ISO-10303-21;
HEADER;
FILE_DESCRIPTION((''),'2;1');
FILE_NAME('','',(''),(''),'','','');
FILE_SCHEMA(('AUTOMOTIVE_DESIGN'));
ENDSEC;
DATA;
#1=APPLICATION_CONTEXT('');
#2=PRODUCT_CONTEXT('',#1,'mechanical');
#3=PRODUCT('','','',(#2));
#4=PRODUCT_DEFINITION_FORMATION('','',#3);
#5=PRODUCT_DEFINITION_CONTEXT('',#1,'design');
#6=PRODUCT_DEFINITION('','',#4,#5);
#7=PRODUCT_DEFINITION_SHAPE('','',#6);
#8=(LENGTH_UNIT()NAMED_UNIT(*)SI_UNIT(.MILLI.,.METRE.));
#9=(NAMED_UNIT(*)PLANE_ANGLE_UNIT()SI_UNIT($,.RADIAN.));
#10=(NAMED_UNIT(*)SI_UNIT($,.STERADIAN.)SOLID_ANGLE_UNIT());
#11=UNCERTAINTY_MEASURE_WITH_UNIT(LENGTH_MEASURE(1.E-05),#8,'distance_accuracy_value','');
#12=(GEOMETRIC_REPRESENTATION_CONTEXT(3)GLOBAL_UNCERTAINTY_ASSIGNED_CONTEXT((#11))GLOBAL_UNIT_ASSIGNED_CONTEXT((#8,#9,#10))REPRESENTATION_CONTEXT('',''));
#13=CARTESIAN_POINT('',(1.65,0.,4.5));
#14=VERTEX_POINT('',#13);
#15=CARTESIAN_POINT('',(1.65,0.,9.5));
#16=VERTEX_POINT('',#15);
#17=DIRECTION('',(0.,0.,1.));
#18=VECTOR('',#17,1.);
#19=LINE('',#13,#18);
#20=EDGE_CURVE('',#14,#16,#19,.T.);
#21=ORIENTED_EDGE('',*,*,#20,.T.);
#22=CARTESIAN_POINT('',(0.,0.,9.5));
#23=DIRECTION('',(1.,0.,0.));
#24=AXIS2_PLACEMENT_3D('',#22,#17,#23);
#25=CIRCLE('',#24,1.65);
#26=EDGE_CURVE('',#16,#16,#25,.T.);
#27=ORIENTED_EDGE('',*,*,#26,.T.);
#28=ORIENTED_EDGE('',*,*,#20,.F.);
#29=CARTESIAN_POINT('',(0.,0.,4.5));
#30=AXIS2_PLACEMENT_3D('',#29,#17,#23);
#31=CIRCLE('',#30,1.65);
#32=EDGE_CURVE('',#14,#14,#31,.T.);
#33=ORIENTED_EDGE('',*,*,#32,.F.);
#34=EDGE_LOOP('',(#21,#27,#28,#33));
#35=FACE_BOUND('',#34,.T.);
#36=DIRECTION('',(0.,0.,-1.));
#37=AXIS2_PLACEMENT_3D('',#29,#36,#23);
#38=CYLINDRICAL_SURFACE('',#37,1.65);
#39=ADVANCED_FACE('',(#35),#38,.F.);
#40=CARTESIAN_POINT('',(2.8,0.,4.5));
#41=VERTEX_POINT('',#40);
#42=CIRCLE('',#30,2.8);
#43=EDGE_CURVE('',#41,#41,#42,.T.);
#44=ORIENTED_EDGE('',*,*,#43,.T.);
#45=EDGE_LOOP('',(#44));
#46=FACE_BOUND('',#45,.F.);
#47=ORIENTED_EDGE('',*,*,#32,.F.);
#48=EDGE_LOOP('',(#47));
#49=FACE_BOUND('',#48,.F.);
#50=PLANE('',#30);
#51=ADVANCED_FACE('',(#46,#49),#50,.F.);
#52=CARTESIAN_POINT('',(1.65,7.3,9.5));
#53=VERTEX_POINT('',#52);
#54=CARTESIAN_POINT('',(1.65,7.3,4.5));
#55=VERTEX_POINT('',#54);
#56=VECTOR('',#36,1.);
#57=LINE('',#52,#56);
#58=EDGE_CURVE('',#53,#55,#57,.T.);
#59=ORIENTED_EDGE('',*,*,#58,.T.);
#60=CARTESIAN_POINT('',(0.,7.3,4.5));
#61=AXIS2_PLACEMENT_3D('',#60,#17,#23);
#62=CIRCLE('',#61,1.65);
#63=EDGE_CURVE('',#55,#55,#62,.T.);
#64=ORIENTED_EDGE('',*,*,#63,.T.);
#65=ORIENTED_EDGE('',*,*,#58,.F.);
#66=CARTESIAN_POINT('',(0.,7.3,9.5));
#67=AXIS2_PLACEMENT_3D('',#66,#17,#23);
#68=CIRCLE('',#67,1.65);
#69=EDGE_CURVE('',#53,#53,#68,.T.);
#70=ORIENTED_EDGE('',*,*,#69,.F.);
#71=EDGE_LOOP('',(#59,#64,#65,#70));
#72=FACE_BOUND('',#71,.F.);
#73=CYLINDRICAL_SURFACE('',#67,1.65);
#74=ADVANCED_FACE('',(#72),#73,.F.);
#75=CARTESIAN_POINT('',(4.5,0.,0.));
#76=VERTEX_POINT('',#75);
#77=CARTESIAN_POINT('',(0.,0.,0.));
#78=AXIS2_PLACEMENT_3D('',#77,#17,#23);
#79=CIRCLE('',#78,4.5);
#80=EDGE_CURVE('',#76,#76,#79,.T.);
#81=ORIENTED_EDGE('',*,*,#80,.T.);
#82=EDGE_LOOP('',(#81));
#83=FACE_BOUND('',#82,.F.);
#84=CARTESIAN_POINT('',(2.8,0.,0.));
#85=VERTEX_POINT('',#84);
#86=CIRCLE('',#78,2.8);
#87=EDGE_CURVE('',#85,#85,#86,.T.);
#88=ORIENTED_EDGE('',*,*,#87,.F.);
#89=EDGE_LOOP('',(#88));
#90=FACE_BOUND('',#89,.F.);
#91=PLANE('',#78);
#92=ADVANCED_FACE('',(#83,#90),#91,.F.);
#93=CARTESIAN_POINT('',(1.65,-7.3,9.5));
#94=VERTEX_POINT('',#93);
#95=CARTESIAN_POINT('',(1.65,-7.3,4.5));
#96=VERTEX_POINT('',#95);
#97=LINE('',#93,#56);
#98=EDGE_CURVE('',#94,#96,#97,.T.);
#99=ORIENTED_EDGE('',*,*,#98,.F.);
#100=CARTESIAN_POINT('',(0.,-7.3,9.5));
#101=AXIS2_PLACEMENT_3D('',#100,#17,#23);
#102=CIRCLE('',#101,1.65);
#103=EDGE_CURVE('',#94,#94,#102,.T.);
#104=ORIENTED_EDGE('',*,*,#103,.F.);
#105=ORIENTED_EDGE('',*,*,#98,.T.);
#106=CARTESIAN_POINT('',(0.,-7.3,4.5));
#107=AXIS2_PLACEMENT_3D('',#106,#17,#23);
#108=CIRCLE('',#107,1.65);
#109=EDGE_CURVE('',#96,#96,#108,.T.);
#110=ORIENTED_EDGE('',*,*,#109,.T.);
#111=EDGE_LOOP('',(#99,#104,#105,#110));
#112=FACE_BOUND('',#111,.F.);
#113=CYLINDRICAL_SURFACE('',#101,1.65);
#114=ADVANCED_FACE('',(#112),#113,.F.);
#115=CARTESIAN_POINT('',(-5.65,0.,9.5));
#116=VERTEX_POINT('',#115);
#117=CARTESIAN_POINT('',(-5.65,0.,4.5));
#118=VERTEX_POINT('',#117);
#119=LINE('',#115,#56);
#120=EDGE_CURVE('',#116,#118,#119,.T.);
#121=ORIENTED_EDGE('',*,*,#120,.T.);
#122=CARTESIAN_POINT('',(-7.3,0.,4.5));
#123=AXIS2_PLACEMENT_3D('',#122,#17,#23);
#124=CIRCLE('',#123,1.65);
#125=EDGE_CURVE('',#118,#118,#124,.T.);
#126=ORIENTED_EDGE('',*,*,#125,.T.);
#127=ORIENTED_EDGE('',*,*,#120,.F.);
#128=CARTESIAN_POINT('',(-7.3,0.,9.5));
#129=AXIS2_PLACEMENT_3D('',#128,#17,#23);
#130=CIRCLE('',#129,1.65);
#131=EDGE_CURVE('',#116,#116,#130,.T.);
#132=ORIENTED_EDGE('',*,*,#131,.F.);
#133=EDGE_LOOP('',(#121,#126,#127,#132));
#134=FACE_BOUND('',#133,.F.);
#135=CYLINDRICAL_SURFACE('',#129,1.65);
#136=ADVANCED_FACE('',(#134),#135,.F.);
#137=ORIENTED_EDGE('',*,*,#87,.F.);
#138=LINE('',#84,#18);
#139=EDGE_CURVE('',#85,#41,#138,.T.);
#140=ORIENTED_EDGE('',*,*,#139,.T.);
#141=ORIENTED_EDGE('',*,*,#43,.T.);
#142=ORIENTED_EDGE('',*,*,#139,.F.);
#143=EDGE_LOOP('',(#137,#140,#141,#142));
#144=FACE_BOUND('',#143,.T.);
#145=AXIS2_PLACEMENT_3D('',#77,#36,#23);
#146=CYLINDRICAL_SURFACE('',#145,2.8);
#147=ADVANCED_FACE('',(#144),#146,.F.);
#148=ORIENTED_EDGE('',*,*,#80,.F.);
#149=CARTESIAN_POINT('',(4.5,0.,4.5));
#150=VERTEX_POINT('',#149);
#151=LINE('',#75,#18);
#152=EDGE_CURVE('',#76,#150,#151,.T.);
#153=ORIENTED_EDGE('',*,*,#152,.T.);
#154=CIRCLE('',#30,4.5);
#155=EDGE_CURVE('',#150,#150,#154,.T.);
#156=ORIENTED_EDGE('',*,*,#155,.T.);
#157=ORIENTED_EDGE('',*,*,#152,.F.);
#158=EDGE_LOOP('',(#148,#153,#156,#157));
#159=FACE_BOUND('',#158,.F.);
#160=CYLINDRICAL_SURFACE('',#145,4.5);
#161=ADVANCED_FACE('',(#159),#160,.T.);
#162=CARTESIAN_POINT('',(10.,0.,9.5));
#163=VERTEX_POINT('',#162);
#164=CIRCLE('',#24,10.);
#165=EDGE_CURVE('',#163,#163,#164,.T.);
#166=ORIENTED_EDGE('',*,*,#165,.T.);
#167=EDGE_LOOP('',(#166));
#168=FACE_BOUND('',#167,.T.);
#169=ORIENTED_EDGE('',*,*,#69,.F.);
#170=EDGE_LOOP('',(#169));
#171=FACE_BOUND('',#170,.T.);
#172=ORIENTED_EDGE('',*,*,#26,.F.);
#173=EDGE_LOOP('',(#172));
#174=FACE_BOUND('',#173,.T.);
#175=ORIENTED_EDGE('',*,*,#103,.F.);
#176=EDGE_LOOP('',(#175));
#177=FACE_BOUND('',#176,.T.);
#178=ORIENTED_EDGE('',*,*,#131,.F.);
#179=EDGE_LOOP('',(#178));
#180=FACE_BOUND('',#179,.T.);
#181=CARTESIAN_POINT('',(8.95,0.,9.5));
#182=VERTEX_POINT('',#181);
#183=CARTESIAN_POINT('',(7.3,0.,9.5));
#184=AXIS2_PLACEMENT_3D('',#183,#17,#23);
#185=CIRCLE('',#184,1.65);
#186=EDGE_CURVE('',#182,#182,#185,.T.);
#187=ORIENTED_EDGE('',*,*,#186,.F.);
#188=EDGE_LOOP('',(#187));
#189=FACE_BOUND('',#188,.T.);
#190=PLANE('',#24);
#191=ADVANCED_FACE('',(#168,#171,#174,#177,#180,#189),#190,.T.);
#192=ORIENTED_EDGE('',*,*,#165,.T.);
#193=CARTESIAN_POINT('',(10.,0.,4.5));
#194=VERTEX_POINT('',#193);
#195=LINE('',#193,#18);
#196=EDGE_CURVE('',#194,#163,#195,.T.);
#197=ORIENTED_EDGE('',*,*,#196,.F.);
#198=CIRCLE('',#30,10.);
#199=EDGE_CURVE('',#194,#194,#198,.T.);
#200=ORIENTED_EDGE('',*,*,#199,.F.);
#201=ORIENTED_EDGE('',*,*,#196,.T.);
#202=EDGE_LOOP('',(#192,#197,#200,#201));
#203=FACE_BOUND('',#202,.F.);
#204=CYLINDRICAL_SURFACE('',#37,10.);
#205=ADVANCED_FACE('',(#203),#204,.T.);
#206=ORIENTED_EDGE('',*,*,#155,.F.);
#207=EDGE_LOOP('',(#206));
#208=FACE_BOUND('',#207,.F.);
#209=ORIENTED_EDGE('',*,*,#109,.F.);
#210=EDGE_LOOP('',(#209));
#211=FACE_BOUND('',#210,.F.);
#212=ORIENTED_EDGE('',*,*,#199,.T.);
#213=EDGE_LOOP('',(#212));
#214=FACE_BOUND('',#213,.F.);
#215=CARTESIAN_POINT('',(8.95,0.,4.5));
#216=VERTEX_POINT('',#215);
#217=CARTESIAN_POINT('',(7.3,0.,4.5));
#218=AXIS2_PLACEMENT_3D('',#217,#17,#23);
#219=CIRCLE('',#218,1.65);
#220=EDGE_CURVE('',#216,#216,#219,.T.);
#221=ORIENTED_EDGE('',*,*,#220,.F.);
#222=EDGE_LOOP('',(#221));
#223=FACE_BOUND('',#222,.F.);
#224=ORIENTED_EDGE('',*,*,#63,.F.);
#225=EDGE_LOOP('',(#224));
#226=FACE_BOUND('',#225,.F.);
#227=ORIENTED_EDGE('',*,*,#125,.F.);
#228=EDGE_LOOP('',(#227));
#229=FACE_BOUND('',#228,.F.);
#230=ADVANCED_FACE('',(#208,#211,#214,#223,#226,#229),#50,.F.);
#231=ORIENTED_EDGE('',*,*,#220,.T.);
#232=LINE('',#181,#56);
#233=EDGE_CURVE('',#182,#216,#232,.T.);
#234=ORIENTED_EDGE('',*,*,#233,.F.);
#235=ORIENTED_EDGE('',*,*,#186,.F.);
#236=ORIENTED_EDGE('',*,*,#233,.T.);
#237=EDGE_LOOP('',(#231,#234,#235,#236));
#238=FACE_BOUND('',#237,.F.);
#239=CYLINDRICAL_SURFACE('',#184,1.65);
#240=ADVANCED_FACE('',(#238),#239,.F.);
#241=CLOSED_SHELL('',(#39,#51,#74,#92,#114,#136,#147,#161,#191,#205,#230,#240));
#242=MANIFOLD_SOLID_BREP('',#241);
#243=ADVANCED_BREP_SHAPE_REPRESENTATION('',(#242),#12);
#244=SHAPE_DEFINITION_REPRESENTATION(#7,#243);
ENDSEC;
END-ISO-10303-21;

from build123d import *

# Parameters (mm, degrees)
SKETCH_R      = 4.5
SKETCH_R_2    = 2.8
PAD_DEPTH     = 4.5
SKETCH001_R   = 10
SKETCH001_R_2 = 1.65
PAD001_DEPTH  = 5
SKETCH002_R   = 1.65
POCKET_DEPTH  = 9.501


with BuildPart() as part:
    # Sketch → Pad (new body)
    with BuildSketch(Plane.XY):
        Circle(SKETCH_R)
        Circle(SKETCH_R_2, mode=Mode.SUBTRACT)
    extrude(amount=PAD_DEPTH)

    # Sketch001 (on Face4 of Pad) → Pad001 (join)
    with BuildSketch(Plane.XY.offset(4.5)):
        Circle(SKETCH001_R)
        Circle(SKETCH001_R_2, mode=Mode.SUBTRACT)
    extrude(amount=PAD001_DEPTH)

    # Sketch002 (on Face7 of Pad001) → Pocket (cut, through all)
    with BuildSketch(Plane.XY.offset(9.5)):
        with Locations((-7.3, 0)):
            Circle(SKETCH002_R)
        with Locations((0, -7.3)):
            Circle(SKETCH002_R)
        with Locations((0, 7.3)):
            Circle(SKETCH002_R)
        with Locations((7.3, 0)):
            Circle(SKETCH002_R)
    extrude(amount=-POCKET_DEPTH, mode=Mode.SUBTRACT)


solid = part.part
